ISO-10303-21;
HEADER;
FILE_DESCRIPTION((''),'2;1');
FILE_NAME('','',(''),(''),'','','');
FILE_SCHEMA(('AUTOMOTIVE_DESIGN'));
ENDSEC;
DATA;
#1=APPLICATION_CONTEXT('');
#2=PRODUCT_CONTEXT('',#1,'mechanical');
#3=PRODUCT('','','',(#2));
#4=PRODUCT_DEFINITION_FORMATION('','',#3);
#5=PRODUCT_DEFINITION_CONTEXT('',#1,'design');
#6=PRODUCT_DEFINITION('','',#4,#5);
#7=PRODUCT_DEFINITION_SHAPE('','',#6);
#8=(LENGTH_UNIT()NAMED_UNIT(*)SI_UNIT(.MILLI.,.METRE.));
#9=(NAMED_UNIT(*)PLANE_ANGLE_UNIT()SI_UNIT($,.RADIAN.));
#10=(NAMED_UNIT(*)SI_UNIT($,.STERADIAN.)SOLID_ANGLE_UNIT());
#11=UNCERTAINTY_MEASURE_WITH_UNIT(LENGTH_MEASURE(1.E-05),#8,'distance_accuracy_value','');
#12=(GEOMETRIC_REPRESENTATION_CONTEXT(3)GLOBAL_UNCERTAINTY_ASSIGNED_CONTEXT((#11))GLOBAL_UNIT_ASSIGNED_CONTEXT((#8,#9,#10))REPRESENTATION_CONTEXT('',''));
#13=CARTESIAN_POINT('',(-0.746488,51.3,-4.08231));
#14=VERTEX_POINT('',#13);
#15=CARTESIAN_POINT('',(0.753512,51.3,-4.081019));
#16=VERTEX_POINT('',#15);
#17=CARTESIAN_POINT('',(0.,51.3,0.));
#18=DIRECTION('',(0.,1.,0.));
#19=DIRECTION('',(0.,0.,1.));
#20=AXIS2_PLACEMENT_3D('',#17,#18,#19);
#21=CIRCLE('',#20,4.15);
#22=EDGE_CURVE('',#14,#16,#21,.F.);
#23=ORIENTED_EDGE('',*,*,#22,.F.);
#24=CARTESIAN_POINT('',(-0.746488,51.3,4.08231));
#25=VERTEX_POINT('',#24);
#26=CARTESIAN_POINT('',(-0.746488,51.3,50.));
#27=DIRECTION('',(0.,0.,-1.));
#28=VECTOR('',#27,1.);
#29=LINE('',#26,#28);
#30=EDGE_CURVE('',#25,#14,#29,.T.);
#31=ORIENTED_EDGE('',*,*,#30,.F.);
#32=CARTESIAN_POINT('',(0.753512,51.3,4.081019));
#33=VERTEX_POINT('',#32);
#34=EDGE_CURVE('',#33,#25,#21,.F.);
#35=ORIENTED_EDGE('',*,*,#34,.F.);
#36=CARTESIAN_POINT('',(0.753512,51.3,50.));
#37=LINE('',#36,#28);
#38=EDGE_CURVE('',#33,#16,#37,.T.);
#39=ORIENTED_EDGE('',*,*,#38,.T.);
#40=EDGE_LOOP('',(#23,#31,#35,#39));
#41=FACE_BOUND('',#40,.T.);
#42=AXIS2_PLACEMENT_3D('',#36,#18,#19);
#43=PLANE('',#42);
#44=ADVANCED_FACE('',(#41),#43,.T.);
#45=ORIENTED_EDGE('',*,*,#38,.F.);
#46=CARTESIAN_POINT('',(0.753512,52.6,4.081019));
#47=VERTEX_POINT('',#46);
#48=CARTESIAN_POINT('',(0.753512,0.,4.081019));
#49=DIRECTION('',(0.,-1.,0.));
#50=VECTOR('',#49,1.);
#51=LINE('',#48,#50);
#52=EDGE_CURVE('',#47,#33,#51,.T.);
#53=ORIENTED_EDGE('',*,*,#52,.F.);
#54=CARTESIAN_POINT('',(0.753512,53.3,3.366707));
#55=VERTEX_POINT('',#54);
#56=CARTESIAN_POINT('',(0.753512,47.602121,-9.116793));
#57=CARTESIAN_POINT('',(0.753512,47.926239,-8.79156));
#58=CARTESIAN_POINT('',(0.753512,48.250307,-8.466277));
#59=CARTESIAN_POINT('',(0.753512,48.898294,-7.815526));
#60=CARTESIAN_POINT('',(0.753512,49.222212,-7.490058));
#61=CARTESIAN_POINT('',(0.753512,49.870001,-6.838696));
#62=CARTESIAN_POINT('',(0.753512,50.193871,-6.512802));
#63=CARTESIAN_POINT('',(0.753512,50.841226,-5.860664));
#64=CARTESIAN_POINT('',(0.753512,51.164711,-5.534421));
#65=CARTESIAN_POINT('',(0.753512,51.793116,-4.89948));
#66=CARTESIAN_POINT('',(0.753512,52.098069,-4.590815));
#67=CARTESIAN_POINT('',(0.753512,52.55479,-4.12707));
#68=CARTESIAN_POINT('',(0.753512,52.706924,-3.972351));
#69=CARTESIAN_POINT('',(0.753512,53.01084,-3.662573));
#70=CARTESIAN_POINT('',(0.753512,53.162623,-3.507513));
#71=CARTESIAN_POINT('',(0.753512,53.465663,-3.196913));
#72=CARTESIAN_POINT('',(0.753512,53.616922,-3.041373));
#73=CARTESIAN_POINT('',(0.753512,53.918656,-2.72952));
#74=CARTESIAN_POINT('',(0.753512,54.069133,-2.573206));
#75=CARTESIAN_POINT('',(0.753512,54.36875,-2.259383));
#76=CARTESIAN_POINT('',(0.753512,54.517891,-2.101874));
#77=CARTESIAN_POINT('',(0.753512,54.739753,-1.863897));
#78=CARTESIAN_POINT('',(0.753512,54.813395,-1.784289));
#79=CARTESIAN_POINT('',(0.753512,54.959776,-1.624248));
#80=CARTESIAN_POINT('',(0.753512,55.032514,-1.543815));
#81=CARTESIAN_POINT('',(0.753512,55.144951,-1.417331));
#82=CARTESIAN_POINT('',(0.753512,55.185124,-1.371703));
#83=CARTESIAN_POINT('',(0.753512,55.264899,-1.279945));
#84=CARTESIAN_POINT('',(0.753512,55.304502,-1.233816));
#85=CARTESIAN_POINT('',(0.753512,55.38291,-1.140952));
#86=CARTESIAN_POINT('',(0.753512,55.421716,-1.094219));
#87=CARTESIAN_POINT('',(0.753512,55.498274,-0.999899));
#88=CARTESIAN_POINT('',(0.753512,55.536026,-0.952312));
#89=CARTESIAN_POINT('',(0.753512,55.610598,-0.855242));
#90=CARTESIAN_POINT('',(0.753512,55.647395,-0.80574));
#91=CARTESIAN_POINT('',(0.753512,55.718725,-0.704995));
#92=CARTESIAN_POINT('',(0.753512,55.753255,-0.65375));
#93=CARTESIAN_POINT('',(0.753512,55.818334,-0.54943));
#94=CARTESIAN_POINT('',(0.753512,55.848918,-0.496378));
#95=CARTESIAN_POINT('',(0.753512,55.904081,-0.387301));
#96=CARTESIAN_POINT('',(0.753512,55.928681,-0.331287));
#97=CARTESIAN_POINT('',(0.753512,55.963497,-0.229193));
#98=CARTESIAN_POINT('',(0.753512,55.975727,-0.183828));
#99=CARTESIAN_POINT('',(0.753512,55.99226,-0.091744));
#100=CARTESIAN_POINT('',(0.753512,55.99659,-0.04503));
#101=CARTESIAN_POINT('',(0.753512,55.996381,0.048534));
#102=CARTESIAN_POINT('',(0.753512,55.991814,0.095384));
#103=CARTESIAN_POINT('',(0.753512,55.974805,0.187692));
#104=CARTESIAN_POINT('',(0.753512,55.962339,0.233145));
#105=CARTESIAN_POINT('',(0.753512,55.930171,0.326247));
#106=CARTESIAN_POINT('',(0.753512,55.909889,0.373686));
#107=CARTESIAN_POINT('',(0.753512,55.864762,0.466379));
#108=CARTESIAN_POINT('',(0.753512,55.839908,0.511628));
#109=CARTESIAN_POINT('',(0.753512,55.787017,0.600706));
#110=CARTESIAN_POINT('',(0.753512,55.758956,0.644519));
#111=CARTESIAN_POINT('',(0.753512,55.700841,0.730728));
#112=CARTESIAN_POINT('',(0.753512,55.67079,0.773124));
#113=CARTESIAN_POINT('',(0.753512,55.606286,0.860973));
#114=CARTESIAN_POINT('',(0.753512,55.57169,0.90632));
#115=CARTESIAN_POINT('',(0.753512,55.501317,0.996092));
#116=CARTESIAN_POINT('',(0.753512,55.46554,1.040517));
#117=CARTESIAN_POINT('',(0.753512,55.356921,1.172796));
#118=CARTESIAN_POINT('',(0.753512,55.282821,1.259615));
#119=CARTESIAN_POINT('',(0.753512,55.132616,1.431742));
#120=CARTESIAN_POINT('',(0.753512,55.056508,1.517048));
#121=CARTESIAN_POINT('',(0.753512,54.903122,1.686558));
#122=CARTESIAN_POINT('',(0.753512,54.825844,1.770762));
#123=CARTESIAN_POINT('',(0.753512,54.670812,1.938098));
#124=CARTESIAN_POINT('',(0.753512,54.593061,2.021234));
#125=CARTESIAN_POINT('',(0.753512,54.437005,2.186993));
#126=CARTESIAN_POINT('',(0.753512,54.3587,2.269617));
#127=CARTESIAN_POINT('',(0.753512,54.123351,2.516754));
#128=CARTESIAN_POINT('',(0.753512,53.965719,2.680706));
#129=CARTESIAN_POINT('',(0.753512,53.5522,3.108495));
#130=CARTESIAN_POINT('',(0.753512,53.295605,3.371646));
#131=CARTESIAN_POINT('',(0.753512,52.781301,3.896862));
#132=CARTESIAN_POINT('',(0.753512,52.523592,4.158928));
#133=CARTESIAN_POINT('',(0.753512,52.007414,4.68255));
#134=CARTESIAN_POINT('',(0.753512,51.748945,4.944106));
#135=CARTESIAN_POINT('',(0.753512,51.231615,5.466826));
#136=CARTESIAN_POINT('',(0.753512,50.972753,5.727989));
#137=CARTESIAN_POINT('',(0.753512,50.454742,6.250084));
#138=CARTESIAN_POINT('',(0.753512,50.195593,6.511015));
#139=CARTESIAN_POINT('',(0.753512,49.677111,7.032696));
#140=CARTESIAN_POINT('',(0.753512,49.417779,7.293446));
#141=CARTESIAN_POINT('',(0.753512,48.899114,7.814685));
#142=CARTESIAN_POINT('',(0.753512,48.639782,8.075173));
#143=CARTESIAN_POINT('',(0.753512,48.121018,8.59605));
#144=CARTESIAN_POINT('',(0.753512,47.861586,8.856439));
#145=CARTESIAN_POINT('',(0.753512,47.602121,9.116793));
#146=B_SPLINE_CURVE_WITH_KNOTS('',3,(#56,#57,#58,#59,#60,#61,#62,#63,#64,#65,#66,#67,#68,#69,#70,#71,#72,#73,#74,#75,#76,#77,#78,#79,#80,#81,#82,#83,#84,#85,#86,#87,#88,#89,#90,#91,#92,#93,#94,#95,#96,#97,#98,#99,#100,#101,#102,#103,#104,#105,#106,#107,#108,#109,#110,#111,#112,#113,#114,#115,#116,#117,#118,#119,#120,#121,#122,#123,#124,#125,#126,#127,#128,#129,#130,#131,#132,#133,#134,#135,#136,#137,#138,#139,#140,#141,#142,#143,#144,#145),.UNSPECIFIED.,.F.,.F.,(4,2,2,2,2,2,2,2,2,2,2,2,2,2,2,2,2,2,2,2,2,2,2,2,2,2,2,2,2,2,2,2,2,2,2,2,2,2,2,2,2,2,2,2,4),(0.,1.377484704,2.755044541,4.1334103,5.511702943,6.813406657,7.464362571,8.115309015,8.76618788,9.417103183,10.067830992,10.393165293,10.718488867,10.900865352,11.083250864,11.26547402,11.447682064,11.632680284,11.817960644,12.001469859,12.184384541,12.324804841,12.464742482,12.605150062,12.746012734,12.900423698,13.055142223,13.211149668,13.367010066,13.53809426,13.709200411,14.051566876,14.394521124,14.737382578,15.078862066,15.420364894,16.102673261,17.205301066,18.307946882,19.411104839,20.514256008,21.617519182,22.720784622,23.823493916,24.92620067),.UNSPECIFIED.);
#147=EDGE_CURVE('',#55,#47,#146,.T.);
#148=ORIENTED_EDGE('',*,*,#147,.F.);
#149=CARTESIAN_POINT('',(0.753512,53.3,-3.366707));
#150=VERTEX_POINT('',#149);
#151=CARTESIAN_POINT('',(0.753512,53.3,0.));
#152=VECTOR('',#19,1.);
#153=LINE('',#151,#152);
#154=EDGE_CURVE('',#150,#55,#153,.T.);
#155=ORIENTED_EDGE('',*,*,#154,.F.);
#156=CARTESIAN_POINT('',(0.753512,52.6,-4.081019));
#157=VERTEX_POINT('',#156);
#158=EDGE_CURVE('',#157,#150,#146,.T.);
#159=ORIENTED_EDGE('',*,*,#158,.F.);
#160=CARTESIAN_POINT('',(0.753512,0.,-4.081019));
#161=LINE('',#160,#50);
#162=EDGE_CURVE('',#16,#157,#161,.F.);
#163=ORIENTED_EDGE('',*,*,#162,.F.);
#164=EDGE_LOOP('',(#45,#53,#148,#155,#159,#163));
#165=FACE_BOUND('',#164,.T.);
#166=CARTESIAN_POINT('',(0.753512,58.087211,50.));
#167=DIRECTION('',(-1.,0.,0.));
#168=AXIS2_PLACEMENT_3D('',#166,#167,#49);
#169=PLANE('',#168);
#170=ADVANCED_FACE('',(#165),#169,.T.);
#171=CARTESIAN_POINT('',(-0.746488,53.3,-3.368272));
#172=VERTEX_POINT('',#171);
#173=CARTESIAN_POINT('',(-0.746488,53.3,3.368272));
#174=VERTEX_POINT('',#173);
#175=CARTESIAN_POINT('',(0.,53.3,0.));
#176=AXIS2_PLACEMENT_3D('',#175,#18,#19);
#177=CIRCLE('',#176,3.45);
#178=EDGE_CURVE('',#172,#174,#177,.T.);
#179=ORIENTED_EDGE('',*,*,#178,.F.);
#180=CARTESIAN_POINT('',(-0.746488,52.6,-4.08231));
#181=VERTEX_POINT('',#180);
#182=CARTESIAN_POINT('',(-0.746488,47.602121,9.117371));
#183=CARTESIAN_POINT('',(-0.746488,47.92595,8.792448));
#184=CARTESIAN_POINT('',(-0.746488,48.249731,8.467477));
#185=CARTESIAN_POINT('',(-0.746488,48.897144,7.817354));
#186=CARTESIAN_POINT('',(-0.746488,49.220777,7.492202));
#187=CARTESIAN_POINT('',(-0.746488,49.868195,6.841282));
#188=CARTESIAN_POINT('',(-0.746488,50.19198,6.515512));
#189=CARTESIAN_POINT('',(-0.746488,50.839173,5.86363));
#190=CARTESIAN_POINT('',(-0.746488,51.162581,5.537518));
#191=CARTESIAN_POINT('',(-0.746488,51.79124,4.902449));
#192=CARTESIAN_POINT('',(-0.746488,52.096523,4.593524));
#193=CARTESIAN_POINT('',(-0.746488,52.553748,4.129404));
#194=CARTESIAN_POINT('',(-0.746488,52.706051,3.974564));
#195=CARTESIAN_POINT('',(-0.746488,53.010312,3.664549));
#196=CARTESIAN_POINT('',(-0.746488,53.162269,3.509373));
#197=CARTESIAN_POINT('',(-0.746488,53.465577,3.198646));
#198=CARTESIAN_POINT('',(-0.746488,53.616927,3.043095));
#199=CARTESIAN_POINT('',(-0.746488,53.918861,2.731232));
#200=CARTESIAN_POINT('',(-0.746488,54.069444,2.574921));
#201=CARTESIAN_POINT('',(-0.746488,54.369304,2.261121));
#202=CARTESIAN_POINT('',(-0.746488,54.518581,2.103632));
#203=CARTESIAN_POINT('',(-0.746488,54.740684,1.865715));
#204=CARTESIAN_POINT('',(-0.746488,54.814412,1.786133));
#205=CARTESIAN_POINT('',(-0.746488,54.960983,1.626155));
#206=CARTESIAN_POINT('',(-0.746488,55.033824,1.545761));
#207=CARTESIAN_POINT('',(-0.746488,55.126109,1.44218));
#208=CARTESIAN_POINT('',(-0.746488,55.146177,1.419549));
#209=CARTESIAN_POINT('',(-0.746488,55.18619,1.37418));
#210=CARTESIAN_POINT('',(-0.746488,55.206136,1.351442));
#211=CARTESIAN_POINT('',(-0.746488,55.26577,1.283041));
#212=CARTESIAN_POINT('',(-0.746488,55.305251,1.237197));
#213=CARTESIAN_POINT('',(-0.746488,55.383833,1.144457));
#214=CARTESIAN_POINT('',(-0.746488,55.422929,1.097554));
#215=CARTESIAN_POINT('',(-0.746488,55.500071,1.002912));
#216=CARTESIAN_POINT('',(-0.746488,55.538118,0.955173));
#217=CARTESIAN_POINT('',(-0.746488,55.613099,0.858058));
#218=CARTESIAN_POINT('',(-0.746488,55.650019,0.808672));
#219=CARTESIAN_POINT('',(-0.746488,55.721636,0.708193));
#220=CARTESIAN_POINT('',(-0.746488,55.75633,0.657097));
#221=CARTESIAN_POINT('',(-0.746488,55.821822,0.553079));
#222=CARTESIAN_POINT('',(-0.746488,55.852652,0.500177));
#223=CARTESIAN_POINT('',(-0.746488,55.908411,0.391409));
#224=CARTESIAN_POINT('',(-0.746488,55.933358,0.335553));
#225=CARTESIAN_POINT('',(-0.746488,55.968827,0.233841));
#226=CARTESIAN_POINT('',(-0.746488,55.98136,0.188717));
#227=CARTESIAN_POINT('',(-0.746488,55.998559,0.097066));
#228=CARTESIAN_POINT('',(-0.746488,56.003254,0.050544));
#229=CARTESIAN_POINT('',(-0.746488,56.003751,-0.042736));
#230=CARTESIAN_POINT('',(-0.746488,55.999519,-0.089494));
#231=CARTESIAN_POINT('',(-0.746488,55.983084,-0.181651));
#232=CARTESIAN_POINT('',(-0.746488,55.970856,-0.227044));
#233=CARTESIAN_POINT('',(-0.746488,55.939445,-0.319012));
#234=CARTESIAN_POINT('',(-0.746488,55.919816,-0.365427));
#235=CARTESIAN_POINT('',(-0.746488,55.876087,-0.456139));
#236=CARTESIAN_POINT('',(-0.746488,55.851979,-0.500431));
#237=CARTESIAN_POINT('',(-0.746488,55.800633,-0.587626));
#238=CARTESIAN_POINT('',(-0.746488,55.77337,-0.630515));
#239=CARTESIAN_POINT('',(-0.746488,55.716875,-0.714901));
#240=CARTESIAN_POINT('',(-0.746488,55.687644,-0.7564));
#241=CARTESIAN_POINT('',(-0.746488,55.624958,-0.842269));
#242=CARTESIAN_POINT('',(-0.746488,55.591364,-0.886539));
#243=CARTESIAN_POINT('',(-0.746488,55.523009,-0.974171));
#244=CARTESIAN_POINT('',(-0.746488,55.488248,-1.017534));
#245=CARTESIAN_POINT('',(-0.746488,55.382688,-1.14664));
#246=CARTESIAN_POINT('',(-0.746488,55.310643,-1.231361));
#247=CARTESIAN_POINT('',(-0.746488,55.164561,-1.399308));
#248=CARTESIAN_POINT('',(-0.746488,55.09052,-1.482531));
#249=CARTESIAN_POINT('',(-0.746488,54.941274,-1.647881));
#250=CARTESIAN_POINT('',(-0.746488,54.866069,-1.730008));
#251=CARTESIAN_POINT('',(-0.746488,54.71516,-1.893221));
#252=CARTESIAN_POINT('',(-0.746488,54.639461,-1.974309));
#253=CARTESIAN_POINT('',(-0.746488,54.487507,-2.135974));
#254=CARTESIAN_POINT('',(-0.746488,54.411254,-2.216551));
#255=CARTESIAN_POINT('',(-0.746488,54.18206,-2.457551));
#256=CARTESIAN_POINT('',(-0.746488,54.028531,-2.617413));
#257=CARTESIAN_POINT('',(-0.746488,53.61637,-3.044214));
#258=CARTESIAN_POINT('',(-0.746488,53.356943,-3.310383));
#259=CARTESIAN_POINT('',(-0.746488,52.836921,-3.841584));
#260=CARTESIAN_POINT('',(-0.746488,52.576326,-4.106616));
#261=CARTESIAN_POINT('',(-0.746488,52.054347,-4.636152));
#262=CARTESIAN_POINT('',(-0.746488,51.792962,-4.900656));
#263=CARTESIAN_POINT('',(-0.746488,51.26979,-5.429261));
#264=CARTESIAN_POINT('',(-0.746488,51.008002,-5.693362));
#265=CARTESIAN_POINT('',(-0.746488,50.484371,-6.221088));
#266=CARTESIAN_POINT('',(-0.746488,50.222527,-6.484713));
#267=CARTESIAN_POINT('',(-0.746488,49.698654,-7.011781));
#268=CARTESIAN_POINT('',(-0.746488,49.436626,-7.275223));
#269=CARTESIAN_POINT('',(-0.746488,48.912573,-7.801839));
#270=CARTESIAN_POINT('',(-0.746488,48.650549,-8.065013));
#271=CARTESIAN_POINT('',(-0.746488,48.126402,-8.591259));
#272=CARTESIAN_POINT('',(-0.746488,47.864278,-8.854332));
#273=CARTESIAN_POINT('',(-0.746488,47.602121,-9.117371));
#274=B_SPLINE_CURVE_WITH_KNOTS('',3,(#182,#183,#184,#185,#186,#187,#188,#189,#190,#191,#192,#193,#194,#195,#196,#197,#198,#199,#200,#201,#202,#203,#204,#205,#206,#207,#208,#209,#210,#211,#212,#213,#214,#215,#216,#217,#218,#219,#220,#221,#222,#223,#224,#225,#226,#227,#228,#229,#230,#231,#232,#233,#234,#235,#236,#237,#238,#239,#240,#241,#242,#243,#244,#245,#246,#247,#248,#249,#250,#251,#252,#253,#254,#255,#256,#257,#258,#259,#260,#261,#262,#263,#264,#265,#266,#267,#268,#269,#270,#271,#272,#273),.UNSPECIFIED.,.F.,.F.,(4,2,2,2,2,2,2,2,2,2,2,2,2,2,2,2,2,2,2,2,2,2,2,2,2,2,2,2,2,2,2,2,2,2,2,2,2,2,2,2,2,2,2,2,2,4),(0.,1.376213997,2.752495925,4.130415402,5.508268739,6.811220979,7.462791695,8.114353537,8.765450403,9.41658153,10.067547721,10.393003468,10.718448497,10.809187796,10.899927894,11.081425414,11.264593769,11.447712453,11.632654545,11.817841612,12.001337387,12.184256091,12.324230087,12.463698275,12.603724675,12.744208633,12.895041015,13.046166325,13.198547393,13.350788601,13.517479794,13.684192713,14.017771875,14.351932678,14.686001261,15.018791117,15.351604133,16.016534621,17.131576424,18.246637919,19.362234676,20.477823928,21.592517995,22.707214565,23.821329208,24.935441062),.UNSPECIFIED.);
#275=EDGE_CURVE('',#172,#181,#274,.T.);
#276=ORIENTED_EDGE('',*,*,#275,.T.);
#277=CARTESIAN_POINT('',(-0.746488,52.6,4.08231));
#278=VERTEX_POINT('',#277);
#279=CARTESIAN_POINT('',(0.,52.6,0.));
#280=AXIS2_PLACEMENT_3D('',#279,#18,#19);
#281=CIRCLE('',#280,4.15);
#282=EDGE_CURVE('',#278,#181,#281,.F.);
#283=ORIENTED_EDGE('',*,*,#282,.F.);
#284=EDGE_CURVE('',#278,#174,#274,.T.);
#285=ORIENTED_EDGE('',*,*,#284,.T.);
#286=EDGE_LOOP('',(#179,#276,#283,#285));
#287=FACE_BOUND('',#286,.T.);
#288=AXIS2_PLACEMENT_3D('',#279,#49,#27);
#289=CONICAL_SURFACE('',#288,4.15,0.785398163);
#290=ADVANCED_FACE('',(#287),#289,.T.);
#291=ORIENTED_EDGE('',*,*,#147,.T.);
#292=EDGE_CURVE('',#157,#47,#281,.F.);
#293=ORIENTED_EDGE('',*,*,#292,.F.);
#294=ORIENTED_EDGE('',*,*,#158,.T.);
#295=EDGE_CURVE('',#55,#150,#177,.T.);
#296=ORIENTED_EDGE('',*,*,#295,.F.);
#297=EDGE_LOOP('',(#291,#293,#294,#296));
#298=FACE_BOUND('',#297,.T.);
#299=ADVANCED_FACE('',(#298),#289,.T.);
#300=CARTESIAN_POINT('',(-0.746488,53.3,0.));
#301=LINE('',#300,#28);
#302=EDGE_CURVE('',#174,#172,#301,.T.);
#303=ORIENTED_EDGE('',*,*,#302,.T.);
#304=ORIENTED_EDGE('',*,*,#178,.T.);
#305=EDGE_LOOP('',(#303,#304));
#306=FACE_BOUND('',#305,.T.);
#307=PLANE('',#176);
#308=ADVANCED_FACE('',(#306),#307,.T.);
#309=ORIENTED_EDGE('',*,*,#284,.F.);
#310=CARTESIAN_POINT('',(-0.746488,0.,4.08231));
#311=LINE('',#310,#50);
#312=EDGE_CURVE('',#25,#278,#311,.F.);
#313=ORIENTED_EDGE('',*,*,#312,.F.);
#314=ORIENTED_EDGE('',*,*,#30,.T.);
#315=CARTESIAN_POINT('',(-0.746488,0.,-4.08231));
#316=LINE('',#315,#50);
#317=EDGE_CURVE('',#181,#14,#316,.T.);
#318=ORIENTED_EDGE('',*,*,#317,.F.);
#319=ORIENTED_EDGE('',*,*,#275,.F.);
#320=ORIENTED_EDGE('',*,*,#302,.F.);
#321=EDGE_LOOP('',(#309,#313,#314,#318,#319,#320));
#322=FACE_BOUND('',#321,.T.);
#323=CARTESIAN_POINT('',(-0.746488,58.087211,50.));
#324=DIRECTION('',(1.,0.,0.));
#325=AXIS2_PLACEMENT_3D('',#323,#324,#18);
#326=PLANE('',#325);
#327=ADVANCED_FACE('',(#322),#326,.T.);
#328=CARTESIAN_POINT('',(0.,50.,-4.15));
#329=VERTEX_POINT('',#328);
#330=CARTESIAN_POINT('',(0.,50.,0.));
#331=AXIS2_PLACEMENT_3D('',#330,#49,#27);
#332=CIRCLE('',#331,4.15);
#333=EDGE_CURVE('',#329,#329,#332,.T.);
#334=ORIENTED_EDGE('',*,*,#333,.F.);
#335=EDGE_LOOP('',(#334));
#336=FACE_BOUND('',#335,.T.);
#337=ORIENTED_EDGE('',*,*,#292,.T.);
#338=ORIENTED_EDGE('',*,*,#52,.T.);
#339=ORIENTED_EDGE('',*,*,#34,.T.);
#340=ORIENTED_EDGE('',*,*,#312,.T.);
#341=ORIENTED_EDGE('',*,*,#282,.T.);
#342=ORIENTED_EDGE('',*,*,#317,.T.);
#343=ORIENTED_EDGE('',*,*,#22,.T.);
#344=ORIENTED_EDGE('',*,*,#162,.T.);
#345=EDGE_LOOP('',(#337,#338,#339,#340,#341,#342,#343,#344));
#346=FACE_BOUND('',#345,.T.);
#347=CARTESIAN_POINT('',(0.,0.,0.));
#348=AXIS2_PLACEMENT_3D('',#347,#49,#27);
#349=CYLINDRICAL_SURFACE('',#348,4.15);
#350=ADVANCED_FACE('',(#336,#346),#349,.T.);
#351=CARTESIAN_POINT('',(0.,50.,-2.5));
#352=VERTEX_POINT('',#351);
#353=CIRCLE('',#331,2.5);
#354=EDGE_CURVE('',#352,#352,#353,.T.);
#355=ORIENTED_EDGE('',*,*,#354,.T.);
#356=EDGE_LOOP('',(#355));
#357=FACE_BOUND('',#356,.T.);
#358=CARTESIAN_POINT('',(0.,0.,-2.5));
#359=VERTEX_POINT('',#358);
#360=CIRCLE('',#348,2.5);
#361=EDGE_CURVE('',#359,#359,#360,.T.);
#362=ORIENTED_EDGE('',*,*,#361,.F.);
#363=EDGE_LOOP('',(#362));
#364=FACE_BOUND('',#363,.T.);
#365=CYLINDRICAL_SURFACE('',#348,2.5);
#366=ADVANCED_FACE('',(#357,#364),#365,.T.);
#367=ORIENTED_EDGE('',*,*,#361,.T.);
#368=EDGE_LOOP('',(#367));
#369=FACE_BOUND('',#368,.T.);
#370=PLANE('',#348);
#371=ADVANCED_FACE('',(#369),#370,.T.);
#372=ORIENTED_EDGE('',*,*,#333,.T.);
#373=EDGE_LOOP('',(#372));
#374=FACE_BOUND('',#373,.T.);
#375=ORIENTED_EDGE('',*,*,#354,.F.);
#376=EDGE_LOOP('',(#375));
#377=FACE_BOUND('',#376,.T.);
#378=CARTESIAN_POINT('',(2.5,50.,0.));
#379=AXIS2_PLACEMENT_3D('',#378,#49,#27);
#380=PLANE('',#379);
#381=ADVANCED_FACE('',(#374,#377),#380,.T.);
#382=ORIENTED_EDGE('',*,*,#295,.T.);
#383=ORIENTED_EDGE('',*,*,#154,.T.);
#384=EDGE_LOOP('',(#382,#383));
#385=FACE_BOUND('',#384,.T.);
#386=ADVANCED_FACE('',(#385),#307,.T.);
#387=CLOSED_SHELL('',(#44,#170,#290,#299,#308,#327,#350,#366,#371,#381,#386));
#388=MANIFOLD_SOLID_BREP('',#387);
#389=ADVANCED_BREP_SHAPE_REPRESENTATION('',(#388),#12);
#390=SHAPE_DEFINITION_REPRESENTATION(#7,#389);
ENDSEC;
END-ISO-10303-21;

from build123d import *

# Parameters (mm, degrees)
CHAMFER1_SIZE           = 0.7
SKETCH2_W               = 1.5
SKETCH2_H               = 6.7872108
CUT_EXTRUDE1_DEPTH      = 50
CUT_EXTRUDE1_DEPTH_BACK = 19


with BuildPart() as part:
    # Sketch1 → Revolve1 (revolve)
    with BuildSketch(Plane.XY):
        Polygon((0, 53.3), (4.15, 53.3), (4.15, 50), (2.5, 50), (2.5, 0), (0, 0), (0, 50), align=None)
    revolve(axis=Axis((0, 0, 0), (0, 1, 0)))

    # Chamfer1
    chamfer1_edges = [part.edges().sort_by_distance(p)[0] for p in [
        (-4.15, 53.3, 0),
    ]]
    chamfer(chamfer1_edges, length=CHAMFER1_SIZE)

    # Sketch2 → Cut-Extrude1 (cut, two sides)
    with BuildSketch(Plane.XY) as cut_extrude1_sk:
        with Locations((0.003512463, 54.6936054)):
            Rectangle(SKETCH2_W, SKETCH2_H)
    extrude(amount=CUT_EXTRUDE1_DEPTH, mode=Mode.SUBTRACT)
    extrude(cut_extrude1_sk.sketch, amount=-CUT_EXTRUDE1_DEPTH_BACK, mode=Mode.SUBTRACT)


solid = part.part
